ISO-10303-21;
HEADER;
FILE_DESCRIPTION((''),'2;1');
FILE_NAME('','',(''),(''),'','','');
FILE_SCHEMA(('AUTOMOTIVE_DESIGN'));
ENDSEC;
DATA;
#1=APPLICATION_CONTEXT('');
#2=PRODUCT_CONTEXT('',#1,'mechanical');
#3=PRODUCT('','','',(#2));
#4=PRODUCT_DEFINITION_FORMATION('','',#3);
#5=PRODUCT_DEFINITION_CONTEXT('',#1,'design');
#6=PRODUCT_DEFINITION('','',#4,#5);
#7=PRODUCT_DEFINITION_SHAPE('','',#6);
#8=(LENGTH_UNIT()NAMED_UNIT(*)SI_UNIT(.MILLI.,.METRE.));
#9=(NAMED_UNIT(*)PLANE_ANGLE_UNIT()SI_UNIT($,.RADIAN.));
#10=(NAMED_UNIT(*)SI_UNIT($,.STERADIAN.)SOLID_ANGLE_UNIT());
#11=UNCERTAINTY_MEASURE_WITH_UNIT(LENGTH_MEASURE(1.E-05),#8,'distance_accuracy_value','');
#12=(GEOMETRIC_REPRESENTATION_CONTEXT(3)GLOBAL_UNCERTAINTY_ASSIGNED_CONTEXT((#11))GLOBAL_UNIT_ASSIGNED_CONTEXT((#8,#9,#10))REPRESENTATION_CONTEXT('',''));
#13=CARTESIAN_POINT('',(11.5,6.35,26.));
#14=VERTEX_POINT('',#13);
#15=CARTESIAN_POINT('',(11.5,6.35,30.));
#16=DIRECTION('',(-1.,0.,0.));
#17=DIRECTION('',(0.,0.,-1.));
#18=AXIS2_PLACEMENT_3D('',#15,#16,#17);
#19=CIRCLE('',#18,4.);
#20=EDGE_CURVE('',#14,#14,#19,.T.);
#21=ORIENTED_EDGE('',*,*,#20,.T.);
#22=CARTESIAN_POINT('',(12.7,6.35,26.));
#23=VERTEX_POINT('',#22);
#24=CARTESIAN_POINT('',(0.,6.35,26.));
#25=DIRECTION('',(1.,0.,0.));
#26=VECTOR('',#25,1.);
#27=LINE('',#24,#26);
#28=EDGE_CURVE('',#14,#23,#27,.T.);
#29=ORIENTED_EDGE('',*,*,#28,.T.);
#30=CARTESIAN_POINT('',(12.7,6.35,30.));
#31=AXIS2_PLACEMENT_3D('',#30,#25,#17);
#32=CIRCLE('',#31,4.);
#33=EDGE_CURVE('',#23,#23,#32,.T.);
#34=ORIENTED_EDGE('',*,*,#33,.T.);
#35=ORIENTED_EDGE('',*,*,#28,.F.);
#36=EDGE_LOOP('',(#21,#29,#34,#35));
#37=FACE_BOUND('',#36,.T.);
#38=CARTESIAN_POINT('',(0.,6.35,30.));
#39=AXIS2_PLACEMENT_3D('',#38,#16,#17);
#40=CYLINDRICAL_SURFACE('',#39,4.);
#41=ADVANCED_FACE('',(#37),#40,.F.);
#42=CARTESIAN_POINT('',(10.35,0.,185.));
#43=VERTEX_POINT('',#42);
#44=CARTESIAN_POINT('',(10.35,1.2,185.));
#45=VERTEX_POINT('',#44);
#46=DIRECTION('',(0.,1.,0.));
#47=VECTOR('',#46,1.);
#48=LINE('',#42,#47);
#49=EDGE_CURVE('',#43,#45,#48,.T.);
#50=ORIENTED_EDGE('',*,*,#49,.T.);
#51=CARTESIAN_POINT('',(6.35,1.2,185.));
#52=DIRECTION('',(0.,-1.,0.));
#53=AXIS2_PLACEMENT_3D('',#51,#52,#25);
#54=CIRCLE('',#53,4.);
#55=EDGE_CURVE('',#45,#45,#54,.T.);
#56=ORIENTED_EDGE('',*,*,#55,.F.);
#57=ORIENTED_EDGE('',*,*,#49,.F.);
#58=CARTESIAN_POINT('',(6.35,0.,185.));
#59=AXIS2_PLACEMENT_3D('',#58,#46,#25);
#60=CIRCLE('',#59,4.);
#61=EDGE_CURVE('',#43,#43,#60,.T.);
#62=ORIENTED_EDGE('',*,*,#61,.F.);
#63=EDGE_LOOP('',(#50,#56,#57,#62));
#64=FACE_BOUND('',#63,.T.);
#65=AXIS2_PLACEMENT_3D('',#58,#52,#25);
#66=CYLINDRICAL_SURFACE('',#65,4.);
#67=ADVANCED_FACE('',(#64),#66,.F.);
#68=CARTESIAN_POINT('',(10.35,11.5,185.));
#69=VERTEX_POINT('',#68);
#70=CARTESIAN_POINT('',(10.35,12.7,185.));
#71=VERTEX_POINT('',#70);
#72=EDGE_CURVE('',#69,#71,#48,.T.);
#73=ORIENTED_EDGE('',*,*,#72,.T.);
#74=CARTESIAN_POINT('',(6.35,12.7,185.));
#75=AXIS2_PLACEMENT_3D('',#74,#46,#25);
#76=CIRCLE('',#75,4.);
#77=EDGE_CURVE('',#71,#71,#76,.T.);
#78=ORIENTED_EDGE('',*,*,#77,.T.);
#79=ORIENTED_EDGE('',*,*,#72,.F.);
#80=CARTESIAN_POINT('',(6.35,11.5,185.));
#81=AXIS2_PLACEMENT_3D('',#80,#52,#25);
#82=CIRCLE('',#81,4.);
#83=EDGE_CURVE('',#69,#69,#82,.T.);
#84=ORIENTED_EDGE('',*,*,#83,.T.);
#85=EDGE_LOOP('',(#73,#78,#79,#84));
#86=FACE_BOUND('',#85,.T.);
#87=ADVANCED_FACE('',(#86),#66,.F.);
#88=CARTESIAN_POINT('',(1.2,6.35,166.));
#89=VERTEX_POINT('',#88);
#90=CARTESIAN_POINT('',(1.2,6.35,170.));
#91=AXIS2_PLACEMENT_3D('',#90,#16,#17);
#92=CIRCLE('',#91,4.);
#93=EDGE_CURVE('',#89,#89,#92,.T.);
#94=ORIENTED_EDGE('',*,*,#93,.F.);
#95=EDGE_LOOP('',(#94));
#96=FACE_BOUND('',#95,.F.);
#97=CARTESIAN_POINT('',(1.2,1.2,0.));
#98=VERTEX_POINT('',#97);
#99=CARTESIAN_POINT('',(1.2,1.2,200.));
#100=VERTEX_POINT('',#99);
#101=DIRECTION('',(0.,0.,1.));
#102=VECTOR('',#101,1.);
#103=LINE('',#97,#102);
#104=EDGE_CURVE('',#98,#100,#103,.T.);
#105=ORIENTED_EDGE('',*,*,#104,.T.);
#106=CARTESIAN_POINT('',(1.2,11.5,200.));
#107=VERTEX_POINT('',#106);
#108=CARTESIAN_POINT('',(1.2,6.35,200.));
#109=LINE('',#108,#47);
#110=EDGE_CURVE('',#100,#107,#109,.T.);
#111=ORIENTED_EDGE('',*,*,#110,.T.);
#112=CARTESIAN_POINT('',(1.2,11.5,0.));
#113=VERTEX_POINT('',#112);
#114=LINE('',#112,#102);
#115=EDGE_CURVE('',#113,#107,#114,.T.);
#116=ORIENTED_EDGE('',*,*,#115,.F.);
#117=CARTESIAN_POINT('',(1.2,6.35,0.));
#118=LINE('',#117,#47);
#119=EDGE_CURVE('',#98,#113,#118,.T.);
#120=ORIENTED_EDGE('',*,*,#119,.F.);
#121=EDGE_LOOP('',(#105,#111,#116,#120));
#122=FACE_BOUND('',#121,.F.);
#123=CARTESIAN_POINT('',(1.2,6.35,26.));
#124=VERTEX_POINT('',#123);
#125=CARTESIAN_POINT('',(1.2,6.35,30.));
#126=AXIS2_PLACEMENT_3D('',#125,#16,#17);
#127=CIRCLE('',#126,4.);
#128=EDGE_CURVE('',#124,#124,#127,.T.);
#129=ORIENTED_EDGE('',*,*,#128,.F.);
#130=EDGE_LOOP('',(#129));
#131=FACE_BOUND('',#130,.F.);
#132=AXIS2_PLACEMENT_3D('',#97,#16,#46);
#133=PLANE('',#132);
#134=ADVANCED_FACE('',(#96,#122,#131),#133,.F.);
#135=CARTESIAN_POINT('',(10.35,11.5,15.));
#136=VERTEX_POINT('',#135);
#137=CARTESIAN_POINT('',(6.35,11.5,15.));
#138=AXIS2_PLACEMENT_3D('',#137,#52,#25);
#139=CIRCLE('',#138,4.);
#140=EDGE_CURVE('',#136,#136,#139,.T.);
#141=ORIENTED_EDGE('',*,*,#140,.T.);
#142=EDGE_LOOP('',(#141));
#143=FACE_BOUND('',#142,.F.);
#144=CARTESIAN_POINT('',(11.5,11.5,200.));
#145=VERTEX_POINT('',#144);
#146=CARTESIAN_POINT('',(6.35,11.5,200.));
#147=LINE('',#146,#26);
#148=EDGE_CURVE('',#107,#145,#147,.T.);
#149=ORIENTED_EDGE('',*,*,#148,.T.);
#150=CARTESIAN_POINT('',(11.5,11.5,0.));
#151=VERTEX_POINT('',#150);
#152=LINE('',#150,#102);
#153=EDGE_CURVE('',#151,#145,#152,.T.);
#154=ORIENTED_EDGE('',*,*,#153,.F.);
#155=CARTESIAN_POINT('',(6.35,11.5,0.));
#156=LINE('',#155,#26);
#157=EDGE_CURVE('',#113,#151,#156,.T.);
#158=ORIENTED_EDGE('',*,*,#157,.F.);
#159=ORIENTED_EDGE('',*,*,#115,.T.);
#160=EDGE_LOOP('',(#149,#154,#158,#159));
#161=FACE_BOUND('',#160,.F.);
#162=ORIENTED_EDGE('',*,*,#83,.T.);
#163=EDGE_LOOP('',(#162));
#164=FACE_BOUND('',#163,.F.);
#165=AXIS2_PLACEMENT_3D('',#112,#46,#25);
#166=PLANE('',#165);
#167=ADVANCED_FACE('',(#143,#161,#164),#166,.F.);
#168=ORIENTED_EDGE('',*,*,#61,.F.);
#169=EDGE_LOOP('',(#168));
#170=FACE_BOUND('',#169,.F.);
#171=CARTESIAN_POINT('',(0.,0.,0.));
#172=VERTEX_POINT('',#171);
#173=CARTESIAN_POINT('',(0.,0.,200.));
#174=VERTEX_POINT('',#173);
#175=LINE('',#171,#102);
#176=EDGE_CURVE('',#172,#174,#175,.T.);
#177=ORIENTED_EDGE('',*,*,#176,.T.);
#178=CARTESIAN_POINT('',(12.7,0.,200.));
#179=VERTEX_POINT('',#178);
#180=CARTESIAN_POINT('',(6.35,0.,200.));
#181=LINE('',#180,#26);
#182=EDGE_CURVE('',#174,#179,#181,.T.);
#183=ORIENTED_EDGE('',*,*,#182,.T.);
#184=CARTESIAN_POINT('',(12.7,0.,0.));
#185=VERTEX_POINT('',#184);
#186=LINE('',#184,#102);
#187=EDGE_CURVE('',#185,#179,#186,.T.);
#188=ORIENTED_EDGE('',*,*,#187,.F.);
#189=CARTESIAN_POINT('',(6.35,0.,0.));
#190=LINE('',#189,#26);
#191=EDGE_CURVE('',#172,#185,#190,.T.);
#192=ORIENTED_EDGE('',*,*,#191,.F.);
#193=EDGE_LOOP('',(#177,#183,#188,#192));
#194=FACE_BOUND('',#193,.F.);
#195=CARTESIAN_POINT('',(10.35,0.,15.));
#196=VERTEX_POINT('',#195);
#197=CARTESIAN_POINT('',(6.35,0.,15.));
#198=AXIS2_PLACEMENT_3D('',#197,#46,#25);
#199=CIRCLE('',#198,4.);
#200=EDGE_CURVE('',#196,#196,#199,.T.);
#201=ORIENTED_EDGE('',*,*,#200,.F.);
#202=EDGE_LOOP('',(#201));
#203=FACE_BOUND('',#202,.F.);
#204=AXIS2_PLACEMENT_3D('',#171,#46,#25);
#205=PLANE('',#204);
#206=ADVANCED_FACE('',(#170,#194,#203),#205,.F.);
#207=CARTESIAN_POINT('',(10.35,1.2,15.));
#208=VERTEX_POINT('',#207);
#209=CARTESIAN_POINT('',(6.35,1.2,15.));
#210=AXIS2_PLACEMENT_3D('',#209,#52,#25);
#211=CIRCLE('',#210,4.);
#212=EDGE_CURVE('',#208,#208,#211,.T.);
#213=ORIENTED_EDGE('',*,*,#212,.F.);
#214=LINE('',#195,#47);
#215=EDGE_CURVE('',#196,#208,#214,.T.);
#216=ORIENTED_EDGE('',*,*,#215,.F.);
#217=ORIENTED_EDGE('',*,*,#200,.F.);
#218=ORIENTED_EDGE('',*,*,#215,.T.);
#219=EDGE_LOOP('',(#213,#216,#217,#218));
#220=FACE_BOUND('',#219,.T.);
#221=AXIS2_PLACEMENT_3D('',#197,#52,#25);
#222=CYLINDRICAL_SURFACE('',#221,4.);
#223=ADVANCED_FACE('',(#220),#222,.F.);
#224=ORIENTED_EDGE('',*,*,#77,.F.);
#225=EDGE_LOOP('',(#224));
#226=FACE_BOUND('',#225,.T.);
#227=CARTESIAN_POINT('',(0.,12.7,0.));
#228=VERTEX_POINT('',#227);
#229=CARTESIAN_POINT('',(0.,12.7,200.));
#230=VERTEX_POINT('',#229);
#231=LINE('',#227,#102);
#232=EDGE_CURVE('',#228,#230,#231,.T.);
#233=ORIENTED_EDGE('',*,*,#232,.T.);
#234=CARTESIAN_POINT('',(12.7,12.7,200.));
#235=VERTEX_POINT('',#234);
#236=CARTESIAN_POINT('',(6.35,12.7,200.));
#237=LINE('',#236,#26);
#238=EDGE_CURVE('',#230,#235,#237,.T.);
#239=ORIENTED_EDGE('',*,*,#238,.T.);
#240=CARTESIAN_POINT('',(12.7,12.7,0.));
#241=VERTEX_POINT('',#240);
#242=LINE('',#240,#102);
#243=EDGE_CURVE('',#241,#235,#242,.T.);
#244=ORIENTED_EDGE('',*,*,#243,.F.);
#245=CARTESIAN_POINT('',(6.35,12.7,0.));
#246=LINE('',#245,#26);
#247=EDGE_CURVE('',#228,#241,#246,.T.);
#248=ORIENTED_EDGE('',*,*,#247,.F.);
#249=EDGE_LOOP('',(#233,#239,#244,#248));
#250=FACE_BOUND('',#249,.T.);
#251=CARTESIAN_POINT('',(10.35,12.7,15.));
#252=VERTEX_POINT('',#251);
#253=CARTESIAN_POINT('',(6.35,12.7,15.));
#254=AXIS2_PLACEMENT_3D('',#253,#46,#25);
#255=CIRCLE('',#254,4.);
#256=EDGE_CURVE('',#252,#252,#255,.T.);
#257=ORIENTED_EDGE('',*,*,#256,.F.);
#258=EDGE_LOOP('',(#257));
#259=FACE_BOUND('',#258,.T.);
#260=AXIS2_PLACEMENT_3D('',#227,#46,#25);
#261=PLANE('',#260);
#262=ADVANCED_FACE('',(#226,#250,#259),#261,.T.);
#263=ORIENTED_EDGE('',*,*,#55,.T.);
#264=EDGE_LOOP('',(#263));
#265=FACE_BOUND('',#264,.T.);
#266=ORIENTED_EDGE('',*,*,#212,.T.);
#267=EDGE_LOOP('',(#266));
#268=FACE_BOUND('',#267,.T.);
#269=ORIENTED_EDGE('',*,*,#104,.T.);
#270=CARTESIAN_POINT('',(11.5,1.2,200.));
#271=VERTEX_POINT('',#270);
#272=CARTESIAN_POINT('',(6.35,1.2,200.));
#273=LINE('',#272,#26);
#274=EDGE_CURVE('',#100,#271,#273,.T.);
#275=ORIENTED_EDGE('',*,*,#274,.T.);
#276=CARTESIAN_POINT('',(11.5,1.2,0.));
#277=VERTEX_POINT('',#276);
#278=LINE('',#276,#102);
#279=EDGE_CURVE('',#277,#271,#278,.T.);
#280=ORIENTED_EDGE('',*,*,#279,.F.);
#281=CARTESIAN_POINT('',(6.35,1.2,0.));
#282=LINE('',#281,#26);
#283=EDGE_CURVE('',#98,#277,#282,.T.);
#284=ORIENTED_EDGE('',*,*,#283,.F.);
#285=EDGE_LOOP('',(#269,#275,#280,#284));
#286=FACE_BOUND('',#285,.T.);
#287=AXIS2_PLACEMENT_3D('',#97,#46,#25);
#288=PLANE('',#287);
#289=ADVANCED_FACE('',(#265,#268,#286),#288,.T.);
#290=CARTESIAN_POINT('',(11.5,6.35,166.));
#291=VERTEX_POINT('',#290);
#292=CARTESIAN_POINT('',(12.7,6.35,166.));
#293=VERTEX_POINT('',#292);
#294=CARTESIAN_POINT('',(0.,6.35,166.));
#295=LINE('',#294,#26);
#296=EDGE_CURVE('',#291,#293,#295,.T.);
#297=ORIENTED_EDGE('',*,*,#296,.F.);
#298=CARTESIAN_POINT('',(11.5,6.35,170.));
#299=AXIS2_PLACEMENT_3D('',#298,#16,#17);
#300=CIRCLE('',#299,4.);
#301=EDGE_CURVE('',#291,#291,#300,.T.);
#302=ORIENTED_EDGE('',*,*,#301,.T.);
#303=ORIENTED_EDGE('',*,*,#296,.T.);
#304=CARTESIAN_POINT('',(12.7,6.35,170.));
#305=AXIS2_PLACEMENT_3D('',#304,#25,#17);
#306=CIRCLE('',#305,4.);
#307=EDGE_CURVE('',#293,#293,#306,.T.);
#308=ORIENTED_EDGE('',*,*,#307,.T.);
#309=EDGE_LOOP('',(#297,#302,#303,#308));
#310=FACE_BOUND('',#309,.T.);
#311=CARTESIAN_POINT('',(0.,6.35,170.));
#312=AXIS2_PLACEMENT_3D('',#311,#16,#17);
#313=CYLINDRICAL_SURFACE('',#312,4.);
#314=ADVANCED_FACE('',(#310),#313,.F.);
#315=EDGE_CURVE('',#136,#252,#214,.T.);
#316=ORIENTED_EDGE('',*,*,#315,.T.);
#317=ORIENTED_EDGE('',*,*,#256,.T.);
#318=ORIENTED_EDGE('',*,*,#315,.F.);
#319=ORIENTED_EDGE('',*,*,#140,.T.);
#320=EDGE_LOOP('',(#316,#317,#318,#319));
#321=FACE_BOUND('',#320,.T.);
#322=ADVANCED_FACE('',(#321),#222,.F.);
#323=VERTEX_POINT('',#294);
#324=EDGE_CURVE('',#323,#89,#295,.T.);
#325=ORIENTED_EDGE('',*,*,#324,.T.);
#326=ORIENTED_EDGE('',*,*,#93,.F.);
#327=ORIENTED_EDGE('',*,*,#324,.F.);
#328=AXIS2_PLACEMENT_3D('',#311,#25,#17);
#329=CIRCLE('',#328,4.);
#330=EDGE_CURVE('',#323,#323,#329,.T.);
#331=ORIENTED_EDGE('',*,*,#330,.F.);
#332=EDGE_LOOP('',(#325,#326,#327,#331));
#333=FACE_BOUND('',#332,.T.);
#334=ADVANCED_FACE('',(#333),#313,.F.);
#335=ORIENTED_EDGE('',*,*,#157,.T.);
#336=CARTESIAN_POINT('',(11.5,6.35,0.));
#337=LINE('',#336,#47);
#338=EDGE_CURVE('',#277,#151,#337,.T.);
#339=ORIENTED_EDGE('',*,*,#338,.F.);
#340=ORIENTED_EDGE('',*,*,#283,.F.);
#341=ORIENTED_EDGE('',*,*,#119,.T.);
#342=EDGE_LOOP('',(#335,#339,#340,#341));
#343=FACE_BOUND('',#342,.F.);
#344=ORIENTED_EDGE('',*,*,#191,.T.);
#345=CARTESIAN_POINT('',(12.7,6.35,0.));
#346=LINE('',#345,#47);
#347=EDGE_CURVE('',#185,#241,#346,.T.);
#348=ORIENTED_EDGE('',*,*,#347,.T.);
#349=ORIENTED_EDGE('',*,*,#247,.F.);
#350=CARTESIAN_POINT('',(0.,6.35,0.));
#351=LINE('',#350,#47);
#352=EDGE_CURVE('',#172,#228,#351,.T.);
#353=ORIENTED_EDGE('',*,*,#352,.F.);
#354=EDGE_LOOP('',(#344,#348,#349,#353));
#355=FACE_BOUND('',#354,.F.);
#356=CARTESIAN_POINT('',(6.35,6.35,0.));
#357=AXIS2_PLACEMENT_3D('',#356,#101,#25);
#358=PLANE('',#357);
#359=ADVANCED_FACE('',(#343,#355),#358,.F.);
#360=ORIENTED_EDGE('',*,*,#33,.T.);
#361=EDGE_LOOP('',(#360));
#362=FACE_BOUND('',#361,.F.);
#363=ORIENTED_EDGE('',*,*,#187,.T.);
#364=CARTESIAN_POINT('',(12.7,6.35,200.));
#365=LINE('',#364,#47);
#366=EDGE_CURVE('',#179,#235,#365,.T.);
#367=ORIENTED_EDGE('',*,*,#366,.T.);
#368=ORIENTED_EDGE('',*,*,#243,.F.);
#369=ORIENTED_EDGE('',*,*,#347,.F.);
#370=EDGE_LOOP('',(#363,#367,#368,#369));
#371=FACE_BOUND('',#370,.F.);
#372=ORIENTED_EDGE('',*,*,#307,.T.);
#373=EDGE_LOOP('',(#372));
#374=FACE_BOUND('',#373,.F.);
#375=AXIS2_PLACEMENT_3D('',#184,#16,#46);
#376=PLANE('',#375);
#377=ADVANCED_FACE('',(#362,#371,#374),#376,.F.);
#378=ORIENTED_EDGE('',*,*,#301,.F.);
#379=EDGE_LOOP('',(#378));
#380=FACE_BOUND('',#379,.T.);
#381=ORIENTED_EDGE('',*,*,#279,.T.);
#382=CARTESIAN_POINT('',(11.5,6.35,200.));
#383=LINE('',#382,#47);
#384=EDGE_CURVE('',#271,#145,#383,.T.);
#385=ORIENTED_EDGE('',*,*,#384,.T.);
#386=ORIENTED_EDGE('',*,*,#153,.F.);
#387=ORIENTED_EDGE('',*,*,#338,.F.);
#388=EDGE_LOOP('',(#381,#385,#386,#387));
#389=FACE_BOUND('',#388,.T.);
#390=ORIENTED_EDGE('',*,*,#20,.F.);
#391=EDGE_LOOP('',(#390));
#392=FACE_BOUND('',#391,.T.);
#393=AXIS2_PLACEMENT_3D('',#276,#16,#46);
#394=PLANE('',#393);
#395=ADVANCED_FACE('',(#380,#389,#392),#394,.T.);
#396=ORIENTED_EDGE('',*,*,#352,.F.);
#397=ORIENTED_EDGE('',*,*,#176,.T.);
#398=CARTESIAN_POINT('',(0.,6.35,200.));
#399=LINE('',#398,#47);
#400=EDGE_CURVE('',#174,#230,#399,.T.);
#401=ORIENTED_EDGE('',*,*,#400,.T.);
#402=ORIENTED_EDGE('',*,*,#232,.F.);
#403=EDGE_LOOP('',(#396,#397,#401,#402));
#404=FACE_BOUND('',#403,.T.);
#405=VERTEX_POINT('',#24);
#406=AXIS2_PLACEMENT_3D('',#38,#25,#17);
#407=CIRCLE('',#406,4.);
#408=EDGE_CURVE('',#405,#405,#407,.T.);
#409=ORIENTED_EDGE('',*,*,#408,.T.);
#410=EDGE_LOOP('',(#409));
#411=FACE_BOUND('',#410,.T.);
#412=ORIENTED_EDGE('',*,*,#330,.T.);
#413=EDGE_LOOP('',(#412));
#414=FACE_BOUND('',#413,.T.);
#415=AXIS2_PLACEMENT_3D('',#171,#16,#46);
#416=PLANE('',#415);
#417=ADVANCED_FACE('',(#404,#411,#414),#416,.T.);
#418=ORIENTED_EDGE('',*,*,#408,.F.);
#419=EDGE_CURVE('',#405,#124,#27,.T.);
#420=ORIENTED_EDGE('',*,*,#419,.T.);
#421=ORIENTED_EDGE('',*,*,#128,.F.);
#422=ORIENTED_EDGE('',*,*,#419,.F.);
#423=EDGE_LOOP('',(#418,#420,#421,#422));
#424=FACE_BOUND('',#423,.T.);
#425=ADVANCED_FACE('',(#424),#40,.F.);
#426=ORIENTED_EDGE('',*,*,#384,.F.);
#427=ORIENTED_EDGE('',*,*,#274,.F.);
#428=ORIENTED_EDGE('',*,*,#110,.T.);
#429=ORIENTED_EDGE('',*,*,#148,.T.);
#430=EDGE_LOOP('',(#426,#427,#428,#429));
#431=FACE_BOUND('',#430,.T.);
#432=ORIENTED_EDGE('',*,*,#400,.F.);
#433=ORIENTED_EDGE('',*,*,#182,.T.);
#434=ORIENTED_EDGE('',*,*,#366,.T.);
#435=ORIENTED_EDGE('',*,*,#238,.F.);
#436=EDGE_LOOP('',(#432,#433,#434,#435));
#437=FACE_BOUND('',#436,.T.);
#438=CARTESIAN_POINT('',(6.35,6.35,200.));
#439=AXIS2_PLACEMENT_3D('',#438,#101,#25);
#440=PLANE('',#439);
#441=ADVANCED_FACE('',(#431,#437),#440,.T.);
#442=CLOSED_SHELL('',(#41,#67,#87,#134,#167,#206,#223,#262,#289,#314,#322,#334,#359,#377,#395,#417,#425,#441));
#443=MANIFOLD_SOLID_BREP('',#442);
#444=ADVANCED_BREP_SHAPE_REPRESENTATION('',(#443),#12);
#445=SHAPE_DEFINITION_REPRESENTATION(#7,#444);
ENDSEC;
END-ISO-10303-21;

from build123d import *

# Parameters (mm, degrees)
CYLINDER003_R     = 4
CYLINDER003_DEPTH = 12.7
CYLINDER002_R     = 4
CYLINDER002_DEPTH = 12.7
CYLINDER_R        = 4
CYLINDER_DEPTH    = 12.7
CYLINDER001_R     = 4
CYLINDER001_DEPTH = 12.7
BOX001_W          = 10.3
BOX001_H          = 10.3
BOX001_DEPTH      = 200
BOX_W             = 12.7
BOX_H             = 12.7
BOX_DEPTH         = 200


with BuildPart() as cilindro003:
    # Cylinder003 → Cylinder003 (new body)
    with BuildSketch(Plane(origin=(0, 6.35, 170), x_dir=(0, 0, -1), z_dir=(1, 0, 0))):
        Circle(CYLINDER003_R)
    extrude(amount=CYLINDER003_DEPTH)


with BuildPart() as cilindro002:
    # Cylinder002 → Cylinder002 (new body)
    with BuildSketch(Plane(origin=(0, 6.35, 30), x_dir=(0, 0, -1), z_dir=(1, 0, 0))):
        Circle(CYLINDER002_R)
    extrude(amount=CYLINDER002_DEPTH)


with BuildPart() as cilindro:
    # Cylinder → Cylinder (new body)
    with BuildSketch(Plane(origin=(6.35, 0, 15), x_dir=(1, 0, 0), z_dir=(0, 1, 0))):
        Circle(CYLINDER_R)
    extrude(amount=CYLINDER_DEPTH)


with BuildPart() as cilindro001:
    # Cylinder001 → Cylinder001 (new body)
    with BuildSketch(Plane(origin=(6.35, 0, 185), x_dir=(1, 0, 0), z_dir=(0, 1, 0))):
        Circle(CYLINDER001_R)
    extrude(amount=CYLINDER001_DEPTH)


with BuildPart() as cubointerni:
    # Box001 → Box001 (new body)
    with BuildSketch(Plane(origin=(1.2, 1.2, 0), x_dir=(1, 0, 0), z_dir=(0, 0, 1))):
        with Locations((5.15, 5.15)):
            Rectangle(BOX001_W, BOX001_H)
    extrude(amount=BOX001_DEPTH)


with BuildPart() as postebarrenado:
    # Box → Box (new body)
    with BuildSketch(Plane.XY):
        with Locations((6.35, 6.35)):
            Rectangle(BOX_W, BOX_H)
    extrude(amount=BOX_DEPTH)

    # Cut: cut cuboInterni
    add(cubointerni.part, mode=Mode.SUBTRACT)

    # Cut001: cut Cilindro001
    add(cilindro001.part, mode=Mode.SUBTRACT)

    # Cut002: cut Cilindro
    add(cilindro.part, mode=Mode.SUBTRACT)

    # Cut003: cut Cilindro002
    add(cilindro002.part, mode=Mode.SUBTRACT)

    # Cut004: cut Cilindro003
    add(cilindro003.part, mode=Mode.SUBTRACT)


solid = postebarrenado.part
